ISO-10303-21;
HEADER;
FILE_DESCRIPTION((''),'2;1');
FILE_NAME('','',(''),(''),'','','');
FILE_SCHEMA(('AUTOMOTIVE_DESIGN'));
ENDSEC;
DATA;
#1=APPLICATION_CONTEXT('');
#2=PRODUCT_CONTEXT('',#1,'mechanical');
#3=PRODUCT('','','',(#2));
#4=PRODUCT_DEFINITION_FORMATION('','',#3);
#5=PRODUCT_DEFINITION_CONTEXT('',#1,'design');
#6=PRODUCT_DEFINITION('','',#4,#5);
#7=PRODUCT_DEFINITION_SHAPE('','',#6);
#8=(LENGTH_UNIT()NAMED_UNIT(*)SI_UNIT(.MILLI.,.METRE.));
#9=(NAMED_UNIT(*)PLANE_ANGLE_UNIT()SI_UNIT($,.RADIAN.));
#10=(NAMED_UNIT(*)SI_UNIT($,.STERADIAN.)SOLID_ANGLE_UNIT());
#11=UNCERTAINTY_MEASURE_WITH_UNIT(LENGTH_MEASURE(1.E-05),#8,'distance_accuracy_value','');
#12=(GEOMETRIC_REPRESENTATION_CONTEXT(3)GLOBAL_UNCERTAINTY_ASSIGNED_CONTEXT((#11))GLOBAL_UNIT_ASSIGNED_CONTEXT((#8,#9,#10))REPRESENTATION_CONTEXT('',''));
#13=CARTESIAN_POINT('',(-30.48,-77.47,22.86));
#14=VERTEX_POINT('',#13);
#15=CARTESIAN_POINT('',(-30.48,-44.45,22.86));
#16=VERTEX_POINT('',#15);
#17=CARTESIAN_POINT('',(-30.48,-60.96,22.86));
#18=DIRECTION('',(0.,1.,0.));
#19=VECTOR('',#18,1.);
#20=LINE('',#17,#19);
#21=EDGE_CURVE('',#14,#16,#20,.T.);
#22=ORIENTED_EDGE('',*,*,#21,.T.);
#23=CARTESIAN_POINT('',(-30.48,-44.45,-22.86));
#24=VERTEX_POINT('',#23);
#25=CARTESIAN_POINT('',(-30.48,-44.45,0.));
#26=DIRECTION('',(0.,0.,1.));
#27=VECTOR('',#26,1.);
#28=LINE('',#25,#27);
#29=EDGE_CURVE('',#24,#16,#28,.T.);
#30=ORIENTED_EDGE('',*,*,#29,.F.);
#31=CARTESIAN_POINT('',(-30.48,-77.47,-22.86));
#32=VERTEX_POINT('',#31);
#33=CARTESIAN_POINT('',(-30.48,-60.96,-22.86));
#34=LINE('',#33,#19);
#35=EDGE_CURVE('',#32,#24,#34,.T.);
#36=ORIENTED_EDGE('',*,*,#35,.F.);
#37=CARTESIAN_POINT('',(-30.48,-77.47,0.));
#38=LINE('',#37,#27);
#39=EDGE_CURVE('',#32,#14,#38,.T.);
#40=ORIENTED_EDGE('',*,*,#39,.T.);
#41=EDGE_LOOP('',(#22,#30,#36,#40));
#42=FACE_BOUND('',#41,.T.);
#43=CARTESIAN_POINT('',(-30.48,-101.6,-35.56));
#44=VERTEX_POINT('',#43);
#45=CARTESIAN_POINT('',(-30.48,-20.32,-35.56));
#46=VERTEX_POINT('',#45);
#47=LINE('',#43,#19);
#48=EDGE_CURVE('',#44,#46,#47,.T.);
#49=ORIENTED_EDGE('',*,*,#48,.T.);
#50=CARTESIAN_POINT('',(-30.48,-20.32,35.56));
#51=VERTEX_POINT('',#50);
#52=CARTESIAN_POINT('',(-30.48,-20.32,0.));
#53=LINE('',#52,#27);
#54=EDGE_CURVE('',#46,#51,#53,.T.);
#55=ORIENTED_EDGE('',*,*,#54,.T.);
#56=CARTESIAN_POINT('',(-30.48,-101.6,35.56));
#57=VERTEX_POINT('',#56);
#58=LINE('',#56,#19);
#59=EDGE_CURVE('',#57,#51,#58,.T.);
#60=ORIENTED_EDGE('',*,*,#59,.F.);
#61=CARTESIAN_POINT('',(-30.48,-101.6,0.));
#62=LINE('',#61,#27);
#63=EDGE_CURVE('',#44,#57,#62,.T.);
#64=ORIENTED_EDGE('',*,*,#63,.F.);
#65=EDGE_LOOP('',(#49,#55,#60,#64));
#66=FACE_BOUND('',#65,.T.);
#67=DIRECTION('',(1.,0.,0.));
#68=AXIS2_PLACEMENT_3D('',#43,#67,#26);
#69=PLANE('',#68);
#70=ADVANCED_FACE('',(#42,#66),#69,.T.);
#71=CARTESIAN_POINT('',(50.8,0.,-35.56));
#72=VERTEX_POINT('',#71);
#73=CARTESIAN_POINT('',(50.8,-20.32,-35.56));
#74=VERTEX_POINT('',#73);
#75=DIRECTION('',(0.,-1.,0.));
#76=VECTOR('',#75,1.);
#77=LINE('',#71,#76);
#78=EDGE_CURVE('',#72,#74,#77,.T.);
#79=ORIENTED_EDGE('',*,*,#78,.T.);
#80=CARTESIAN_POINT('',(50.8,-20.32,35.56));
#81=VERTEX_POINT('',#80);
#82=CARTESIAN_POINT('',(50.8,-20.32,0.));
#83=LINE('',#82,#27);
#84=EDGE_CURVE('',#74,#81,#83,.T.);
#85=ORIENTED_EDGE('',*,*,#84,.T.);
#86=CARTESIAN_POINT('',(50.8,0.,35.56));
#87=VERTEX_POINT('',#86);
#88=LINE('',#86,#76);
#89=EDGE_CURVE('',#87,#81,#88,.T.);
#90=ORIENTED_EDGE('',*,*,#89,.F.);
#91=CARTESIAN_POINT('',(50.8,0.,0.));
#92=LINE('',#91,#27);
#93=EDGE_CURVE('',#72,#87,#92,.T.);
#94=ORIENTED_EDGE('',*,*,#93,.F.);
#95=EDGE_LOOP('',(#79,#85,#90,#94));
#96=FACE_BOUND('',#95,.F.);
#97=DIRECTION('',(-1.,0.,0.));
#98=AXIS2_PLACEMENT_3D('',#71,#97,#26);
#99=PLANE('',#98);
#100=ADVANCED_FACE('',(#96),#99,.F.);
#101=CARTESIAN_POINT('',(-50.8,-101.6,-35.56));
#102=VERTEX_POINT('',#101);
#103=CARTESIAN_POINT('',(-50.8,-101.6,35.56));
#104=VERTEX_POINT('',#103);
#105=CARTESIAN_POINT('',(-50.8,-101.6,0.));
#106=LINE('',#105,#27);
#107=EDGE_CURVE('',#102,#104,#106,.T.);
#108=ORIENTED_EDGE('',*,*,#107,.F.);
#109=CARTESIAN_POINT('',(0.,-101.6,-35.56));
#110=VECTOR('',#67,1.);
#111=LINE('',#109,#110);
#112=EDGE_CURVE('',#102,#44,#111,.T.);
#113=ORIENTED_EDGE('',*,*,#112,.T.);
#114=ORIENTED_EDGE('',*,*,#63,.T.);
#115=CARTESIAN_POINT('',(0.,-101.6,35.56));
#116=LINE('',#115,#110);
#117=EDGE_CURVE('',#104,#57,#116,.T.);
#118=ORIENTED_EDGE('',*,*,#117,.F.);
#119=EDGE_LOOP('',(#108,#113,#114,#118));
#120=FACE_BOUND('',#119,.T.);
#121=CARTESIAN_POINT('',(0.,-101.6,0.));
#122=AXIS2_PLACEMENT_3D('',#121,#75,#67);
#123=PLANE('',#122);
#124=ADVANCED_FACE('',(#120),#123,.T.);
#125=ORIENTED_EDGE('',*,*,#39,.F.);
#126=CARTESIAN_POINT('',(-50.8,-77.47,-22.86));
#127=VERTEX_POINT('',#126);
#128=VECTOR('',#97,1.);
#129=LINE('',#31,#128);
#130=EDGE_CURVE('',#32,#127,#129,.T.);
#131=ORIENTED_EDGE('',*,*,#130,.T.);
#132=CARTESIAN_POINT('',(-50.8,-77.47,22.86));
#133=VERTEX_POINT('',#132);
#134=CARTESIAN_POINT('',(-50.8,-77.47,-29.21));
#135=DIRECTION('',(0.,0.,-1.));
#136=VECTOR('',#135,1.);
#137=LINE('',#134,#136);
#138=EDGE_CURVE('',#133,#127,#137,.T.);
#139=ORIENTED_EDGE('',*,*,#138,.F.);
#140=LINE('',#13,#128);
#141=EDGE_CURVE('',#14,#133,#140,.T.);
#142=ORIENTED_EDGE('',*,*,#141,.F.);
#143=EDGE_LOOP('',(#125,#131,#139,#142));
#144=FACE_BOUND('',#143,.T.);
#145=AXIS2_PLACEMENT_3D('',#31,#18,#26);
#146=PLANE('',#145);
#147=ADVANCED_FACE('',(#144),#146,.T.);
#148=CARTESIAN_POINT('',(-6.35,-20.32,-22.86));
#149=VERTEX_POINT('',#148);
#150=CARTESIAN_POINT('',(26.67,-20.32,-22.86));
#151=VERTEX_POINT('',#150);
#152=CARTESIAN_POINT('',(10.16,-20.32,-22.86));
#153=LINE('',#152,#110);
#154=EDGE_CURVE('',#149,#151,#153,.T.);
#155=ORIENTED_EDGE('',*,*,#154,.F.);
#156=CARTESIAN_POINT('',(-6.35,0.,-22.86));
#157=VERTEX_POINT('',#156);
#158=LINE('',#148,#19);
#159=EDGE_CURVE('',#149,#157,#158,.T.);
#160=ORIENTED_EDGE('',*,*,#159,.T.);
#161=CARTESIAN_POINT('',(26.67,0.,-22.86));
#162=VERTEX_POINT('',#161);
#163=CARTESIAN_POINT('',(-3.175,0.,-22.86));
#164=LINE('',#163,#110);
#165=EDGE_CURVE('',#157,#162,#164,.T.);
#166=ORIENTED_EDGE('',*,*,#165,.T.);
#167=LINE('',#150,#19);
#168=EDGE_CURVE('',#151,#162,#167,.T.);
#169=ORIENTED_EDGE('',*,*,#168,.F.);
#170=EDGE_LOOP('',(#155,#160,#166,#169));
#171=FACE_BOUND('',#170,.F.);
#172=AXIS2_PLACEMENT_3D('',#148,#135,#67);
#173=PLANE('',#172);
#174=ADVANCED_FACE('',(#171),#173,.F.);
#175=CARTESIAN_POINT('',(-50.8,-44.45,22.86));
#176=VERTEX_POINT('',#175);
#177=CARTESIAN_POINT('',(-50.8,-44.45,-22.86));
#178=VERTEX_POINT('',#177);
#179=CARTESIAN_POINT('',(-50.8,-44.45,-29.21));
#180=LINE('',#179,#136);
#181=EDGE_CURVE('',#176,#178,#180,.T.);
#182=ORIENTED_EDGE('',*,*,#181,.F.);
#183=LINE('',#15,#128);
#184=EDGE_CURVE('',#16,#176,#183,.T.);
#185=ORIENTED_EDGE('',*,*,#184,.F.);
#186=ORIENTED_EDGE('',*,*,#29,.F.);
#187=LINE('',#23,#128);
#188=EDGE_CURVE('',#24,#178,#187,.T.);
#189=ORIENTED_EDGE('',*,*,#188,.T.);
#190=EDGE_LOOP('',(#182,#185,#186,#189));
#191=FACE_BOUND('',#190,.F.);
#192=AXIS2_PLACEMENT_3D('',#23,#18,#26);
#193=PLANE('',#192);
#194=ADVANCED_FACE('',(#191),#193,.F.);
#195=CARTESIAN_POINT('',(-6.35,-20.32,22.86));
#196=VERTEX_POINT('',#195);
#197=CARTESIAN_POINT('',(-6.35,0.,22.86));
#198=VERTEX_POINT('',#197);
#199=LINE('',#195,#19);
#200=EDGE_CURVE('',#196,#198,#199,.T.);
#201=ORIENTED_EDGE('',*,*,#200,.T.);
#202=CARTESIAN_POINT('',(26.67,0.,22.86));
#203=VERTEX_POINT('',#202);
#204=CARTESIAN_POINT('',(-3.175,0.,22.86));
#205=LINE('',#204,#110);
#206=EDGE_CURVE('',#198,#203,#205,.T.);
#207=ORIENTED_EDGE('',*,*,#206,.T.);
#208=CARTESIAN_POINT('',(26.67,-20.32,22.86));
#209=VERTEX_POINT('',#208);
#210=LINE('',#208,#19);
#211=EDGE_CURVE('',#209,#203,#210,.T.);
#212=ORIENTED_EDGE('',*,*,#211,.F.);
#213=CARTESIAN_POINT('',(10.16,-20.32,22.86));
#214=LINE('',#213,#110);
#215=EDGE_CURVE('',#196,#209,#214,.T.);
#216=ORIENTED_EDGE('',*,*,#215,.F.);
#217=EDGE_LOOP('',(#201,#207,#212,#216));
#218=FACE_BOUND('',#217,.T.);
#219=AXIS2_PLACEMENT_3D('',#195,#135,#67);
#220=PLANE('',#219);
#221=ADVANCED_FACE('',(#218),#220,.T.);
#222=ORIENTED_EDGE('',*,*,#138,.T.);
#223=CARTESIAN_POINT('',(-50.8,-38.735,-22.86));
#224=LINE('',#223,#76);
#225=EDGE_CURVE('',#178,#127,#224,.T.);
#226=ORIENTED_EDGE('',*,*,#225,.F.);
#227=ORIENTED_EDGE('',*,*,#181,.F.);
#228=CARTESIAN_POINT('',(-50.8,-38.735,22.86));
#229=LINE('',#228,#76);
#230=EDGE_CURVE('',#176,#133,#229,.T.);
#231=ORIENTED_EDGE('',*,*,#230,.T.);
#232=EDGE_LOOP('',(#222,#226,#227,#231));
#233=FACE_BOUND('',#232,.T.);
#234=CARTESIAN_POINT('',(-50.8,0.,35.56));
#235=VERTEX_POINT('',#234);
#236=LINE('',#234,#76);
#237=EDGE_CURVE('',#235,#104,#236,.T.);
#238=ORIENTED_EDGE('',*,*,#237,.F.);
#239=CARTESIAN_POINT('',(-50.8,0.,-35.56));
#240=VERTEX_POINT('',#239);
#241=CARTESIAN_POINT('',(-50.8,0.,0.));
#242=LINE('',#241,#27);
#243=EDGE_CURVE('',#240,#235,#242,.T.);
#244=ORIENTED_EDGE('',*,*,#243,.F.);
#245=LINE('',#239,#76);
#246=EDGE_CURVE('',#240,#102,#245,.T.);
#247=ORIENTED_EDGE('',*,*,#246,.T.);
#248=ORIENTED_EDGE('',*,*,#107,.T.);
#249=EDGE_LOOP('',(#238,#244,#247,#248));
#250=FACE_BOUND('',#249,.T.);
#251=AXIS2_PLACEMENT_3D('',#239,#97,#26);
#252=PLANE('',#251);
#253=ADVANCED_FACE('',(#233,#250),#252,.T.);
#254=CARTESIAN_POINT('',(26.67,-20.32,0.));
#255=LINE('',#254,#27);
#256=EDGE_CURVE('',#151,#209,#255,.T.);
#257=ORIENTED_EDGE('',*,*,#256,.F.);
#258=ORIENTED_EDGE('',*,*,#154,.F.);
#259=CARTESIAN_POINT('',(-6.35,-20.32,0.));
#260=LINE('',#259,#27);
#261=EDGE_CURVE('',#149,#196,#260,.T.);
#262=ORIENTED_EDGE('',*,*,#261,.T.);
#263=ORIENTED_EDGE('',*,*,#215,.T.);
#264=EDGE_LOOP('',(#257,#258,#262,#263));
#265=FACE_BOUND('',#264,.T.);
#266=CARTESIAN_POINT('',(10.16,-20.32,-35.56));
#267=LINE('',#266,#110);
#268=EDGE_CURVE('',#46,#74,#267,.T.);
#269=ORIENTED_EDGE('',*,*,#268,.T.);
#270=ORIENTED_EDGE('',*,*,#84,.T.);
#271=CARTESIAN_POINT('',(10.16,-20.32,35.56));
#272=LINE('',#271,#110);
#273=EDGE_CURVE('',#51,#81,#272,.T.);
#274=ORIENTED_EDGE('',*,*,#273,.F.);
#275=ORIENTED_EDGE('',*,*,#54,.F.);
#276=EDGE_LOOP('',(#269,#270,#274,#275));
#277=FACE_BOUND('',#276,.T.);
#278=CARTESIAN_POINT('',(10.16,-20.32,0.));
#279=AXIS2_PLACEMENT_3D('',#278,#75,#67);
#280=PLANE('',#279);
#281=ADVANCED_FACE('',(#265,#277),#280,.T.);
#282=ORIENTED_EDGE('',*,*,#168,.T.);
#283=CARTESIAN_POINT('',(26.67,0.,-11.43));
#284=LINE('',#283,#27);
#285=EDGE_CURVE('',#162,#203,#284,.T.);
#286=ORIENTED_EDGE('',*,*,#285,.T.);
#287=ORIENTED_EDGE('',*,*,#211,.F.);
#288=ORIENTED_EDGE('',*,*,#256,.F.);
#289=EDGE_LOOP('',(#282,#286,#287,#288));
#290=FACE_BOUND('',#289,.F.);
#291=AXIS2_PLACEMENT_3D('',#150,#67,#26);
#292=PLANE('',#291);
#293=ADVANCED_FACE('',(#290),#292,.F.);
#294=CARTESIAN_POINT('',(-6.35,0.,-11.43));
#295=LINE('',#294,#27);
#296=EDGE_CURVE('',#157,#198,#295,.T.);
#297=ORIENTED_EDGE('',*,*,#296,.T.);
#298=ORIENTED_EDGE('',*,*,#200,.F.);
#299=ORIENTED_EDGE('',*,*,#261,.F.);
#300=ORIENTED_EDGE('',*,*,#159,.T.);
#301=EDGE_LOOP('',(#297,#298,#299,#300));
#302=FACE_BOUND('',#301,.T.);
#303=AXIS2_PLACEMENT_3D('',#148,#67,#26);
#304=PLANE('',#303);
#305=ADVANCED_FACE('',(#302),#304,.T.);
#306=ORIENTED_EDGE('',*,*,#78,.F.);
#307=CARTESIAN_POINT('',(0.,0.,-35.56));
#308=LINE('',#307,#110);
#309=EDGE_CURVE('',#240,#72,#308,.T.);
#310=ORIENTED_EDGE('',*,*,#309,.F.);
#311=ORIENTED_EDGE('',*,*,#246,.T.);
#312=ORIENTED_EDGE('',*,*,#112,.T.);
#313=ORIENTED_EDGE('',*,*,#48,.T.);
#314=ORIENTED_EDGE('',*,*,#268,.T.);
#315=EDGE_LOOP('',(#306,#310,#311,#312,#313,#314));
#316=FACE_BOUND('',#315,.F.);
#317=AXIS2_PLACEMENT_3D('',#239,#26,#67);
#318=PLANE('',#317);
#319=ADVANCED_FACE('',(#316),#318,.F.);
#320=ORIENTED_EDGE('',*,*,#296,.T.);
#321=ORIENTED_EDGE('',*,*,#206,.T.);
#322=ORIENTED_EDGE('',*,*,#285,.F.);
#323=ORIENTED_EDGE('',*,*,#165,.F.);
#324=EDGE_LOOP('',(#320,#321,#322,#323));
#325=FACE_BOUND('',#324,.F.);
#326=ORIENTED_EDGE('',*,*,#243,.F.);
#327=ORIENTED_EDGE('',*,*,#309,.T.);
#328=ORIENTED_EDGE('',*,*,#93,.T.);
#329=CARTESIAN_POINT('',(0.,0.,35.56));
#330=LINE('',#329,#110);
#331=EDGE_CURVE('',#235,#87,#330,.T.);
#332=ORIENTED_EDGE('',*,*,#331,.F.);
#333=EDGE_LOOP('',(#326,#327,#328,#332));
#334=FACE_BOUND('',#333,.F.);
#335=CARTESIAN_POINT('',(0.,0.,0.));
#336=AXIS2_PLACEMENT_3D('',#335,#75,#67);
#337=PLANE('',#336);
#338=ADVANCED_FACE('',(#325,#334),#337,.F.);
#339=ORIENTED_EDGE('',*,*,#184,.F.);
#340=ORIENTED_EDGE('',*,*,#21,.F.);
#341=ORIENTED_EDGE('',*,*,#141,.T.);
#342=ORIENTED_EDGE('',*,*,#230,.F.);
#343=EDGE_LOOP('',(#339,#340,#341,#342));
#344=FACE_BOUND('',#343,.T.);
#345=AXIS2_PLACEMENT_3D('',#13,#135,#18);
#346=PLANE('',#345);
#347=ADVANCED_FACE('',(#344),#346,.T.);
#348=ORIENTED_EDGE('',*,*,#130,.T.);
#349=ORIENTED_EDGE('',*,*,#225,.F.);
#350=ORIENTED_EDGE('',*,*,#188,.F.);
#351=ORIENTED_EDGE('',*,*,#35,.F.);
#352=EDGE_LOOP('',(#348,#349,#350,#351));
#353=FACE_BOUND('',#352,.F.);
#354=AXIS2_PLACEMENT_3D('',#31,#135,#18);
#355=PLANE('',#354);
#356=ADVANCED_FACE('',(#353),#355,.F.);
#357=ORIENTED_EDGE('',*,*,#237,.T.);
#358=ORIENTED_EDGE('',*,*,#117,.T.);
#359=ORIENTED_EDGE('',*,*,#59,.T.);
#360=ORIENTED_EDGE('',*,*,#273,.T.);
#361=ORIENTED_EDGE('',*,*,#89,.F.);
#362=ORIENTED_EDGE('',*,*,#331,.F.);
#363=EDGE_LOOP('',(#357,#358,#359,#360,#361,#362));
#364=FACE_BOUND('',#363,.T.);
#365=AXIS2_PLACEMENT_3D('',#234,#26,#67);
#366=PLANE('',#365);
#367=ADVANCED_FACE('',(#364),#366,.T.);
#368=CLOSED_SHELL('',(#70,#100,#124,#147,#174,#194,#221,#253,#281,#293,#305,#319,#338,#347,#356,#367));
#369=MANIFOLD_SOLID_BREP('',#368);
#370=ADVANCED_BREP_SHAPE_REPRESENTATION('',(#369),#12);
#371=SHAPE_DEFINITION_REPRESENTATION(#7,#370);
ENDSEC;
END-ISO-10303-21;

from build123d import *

# Parameters (mm, degrees)
F0_W     = 101.6
F0_H     = 71.12
F1_DEPTH = 101.6
F2_W     = 81.28
F2_H     = 71.12
F3_DEPTH = 81.28
F4_W     = 33.02
F4_H     = 45.72
F5_DEPTH = 20.321
F6_W     = 33.02
F6_H     = 45.72
F7_DEPTH = 20.321


with BuildPart() as f1:
    # F0 (on Front) → F1 (new body)
    with BuildSketch(Plane.XZ):
        Rectangle(F0_W, F0_H)
    extrude(amount=F1_DEPTH)

    # F2 (on face) → F3 (cut)
    with BuildSketch(Plane.XZ.offset(101.6)):
        with Locations((10.16, 0)):
            Rectangle(F2_W, F2_H)
    extrude(amount=-F3_DEPTH, mode=Mode.SUBTRACT)

    # F4 (on face) → F5 (cut, through all)
    with BuildSketch(Plane.XZ.offset(20.32)):
        with Locations((10.16, 0)):
            Rectangle(F4_W, F4_H)
    extrude(amount=-F5_DEPTH, mode=Mode.SUBTRACT)

    # F6 (on face) → F7 (cut, through all)
    with BuildSketch(Plane.YZ.offset(-30.48)):
        with Locations((-60.96, 0)):
            Rectangle(F6_W, F6_H)
    extrude(amount=-F7_DEPTH, mode=Mode.SUBTRACT)


solid = f1.part
